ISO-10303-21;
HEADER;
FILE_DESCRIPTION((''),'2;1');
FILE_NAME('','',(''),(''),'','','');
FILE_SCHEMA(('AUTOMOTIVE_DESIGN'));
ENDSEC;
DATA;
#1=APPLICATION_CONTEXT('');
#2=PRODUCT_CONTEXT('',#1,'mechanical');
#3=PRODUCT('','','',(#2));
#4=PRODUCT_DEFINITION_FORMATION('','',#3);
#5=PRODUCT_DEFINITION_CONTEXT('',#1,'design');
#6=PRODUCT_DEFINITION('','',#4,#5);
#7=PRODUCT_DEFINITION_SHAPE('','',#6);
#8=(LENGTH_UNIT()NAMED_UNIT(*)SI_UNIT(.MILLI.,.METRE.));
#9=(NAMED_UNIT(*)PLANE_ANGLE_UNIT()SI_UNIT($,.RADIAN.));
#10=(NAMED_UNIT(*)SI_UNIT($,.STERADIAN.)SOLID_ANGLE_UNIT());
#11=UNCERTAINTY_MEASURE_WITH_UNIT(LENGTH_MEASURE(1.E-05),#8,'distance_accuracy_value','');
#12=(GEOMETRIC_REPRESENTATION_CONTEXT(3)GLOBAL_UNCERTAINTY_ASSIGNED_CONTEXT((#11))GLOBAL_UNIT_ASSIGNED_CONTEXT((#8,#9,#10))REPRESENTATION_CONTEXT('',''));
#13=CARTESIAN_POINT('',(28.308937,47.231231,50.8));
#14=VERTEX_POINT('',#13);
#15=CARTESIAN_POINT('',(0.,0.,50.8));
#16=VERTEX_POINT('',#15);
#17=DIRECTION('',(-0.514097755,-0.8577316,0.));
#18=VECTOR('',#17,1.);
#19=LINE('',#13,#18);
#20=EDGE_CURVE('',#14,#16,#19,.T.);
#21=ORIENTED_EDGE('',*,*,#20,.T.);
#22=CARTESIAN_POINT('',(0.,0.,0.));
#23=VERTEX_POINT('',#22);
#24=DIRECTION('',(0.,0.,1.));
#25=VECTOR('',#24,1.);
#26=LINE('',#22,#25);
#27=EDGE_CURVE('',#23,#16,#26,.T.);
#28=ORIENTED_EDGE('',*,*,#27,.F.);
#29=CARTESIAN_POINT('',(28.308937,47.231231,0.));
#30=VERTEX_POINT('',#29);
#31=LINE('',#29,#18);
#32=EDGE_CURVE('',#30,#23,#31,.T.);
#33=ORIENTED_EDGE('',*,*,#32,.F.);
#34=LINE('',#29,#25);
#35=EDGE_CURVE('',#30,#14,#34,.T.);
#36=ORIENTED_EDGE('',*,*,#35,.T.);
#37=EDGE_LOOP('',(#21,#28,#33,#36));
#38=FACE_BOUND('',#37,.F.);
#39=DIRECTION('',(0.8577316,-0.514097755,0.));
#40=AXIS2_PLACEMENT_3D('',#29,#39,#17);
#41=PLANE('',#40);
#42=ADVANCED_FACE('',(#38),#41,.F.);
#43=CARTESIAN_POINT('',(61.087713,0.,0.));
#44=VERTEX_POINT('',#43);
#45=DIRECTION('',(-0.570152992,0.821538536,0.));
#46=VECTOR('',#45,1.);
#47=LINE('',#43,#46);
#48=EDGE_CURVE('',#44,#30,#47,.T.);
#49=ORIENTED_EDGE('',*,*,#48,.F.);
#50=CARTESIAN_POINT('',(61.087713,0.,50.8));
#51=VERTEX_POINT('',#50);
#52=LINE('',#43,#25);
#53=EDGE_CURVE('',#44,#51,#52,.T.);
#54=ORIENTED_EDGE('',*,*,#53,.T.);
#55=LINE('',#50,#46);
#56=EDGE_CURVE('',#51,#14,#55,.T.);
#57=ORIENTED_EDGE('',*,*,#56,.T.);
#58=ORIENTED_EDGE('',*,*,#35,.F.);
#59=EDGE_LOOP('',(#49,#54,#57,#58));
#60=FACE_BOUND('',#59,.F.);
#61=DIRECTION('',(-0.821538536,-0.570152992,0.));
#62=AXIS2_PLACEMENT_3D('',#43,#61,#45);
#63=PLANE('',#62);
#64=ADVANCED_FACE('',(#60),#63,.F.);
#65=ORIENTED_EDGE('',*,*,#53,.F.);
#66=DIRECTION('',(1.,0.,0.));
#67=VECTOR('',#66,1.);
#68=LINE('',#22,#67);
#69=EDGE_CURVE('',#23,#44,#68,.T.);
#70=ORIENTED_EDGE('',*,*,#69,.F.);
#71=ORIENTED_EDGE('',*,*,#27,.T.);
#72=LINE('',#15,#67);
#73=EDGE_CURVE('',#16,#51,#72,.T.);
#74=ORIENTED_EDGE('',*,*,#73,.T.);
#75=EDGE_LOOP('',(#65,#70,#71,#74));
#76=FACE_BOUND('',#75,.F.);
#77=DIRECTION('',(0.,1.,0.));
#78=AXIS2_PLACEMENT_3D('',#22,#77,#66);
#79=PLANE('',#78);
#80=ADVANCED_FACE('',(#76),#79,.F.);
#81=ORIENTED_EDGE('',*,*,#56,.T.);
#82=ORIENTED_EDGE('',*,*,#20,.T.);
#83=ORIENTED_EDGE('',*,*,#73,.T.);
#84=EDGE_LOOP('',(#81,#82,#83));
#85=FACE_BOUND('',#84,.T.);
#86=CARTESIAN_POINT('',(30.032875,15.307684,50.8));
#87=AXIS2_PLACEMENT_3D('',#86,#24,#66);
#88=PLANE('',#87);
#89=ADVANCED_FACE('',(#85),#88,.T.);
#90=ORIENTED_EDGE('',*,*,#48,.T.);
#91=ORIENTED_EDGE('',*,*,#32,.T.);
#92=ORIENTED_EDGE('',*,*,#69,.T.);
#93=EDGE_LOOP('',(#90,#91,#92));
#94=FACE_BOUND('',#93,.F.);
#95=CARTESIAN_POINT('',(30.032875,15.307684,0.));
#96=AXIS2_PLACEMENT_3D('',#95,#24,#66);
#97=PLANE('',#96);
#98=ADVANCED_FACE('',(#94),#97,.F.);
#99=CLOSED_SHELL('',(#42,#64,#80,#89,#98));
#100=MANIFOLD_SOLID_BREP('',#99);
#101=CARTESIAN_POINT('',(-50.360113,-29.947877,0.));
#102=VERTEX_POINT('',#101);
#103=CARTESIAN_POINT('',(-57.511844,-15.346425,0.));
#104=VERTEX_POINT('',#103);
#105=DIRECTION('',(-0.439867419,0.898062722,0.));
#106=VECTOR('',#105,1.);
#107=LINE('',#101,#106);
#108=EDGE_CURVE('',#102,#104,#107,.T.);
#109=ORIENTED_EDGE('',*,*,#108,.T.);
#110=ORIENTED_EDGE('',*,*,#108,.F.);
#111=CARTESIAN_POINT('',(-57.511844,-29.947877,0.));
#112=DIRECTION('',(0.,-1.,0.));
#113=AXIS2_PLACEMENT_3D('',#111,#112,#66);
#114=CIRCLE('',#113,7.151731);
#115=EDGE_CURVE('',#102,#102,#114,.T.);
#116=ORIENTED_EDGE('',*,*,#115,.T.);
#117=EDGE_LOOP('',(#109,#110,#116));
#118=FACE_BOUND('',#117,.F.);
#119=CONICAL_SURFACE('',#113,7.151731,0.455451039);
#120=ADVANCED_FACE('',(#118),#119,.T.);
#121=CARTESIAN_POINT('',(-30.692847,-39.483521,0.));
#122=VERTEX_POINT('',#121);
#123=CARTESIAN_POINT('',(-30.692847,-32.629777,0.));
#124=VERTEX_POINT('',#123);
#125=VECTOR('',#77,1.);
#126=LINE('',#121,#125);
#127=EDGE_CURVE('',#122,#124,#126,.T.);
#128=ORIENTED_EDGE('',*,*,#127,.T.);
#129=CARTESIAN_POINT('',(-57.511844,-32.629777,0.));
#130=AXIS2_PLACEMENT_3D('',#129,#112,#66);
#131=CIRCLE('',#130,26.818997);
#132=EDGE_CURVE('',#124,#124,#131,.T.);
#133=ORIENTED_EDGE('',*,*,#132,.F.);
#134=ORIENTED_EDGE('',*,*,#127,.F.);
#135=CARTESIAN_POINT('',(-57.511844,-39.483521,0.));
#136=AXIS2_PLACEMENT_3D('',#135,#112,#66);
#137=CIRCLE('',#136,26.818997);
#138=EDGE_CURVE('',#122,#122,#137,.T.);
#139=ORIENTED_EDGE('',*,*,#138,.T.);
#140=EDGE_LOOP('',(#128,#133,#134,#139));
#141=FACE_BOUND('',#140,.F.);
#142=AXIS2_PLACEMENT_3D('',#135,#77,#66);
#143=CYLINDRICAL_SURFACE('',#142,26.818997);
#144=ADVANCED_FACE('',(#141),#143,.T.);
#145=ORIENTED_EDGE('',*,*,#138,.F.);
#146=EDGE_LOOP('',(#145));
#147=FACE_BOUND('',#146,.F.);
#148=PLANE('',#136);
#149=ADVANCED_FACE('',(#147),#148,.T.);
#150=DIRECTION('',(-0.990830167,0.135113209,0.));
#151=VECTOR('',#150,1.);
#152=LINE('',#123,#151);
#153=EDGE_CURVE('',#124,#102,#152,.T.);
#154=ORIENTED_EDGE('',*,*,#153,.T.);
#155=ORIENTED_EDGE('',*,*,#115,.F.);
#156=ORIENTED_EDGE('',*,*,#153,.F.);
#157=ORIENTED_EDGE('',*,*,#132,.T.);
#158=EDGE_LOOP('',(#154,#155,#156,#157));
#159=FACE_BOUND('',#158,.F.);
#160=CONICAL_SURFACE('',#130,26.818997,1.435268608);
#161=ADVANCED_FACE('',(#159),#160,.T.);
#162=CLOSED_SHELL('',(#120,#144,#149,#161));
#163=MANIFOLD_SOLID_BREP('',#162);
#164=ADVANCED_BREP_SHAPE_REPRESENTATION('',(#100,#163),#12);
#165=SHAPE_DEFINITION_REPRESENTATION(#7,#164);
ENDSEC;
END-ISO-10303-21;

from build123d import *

# Parameters (mm, degrees)
F1_DEPTH = 50.8


with BuildPart() as f1:
    # F0 (on Top) → F1 (new body)
    with BuildSketch(Plane.XY):
        Polygon((28.308937, 47.231231), (0, 0), (61.087713, 0), align=None)
    extrude(amount=F1_DEPTH)


with BuildPart() as f3:
    # F2 (on Top) → F3 (revolve)
    with BuildSketch(Plane.XY):
        Polygon((-50.360113, -29.947877), (-57.511844, -15.346425), (-57.511844, -39.483521), (-30.692847, -39.483521), (-30.692847, -32.629777), align=None)
    revolve(axis=Axis((-57.511844, -27.414973, 0), (0, -1, 0)))


solid = Compound([f1.part, f3.part])
